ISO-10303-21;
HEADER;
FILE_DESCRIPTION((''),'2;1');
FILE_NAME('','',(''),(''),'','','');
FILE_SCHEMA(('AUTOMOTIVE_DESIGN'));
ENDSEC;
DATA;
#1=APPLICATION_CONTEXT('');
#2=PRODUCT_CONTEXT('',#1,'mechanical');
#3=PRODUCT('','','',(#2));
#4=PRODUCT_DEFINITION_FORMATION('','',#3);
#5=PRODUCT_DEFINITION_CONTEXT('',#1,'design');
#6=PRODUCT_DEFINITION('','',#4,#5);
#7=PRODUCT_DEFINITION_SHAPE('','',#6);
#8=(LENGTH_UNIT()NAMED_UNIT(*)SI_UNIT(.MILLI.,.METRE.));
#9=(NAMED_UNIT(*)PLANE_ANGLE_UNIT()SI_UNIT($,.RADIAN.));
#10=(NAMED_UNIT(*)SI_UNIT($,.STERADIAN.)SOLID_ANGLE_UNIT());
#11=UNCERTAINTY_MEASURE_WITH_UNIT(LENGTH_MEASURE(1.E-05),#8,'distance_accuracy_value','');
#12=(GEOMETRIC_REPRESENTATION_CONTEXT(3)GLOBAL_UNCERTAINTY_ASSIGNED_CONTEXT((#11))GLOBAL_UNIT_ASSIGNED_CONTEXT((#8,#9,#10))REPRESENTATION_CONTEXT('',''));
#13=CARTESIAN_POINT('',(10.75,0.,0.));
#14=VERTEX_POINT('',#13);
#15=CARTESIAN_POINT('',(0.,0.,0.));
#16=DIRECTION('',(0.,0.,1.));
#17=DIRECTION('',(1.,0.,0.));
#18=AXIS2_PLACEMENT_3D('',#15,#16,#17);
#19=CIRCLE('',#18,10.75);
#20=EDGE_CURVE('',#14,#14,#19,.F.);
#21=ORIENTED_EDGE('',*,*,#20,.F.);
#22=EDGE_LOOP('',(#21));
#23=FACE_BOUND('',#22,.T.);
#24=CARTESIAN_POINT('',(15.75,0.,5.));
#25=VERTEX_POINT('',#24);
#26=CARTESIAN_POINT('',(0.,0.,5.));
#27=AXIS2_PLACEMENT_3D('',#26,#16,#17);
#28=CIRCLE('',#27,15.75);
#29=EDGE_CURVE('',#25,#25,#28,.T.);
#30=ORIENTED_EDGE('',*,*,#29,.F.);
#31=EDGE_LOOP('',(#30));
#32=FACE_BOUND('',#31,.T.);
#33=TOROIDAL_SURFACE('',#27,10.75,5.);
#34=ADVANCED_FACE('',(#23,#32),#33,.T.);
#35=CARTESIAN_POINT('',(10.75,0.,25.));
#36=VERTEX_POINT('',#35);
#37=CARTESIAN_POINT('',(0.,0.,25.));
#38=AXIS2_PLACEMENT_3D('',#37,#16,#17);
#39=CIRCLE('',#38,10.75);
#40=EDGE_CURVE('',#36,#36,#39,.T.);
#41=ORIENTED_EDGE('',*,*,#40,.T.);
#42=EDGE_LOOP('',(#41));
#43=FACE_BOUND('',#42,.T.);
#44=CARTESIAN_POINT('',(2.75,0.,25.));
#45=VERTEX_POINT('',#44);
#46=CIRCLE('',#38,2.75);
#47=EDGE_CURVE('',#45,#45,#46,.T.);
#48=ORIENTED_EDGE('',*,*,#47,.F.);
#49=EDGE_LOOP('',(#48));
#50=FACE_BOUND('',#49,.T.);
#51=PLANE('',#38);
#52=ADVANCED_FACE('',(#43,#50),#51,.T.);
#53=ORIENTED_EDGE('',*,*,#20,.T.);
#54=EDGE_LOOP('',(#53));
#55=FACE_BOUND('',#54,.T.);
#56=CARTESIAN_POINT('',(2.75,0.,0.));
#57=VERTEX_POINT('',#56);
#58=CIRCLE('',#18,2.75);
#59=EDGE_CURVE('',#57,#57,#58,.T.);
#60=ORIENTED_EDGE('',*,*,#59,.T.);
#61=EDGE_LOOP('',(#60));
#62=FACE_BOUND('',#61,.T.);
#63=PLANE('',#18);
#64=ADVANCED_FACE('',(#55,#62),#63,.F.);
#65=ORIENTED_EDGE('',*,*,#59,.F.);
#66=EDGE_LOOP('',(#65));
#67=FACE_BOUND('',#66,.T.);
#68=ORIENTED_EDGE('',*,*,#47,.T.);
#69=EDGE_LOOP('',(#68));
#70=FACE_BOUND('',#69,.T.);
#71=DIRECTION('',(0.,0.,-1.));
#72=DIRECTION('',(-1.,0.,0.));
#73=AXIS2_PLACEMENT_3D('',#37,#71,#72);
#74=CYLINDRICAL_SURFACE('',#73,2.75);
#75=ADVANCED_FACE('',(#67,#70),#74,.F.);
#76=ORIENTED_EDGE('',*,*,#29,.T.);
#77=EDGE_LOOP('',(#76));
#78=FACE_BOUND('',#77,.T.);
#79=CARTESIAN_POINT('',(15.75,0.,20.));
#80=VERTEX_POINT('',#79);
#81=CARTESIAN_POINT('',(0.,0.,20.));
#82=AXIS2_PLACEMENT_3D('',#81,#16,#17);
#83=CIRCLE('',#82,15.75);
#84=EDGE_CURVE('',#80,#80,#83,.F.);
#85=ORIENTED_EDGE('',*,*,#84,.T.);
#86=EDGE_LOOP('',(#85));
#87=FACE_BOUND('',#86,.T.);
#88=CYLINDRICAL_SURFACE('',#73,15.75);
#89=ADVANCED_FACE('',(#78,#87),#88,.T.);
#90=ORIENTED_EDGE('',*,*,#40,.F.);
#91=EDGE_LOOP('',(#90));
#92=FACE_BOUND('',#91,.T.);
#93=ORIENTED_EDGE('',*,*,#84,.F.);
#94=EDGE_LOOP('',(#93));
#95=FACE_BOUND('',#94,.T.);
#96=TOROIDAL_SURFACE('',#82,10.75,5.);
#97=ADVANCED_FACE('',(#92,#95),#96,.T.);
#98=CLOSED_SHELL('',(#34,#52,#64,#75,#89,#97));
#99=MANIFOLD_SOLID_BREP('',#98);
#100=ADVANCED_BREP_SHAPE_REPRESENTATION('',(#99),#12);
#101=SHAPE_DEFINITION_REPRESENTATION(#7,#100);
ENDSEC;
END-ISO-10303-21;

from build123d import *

# Parameters (mm, degrees)
SKETCH_1_R      = 15.75
SKETCH_1_R_2    = 2.75
EXTRUDE_1_DEPTH = 25
FILLET_1_R      = 5


with BuildPart() as part:
    # 草图1 → 凸台-拉伸1 (new body)
    with BuildSketch(Plane.XY):
        Circle(SKETCH_1_R)
        Circle(SKETCH_1_R_2, mode=Mode.SUBTRACT)
    extrude(amount=EXTRUDE_1_DEPTH)

    # 圆角1
    fillet_1_edges = [part.edges().sort_by_distance(p)[0] for p in [
        (-15.75, 0, 0),
        (-15.75, 0, 25),
    ]]
    fillet(fillet_1_edges, radius=FILLET_1_R)


solid = part.part
